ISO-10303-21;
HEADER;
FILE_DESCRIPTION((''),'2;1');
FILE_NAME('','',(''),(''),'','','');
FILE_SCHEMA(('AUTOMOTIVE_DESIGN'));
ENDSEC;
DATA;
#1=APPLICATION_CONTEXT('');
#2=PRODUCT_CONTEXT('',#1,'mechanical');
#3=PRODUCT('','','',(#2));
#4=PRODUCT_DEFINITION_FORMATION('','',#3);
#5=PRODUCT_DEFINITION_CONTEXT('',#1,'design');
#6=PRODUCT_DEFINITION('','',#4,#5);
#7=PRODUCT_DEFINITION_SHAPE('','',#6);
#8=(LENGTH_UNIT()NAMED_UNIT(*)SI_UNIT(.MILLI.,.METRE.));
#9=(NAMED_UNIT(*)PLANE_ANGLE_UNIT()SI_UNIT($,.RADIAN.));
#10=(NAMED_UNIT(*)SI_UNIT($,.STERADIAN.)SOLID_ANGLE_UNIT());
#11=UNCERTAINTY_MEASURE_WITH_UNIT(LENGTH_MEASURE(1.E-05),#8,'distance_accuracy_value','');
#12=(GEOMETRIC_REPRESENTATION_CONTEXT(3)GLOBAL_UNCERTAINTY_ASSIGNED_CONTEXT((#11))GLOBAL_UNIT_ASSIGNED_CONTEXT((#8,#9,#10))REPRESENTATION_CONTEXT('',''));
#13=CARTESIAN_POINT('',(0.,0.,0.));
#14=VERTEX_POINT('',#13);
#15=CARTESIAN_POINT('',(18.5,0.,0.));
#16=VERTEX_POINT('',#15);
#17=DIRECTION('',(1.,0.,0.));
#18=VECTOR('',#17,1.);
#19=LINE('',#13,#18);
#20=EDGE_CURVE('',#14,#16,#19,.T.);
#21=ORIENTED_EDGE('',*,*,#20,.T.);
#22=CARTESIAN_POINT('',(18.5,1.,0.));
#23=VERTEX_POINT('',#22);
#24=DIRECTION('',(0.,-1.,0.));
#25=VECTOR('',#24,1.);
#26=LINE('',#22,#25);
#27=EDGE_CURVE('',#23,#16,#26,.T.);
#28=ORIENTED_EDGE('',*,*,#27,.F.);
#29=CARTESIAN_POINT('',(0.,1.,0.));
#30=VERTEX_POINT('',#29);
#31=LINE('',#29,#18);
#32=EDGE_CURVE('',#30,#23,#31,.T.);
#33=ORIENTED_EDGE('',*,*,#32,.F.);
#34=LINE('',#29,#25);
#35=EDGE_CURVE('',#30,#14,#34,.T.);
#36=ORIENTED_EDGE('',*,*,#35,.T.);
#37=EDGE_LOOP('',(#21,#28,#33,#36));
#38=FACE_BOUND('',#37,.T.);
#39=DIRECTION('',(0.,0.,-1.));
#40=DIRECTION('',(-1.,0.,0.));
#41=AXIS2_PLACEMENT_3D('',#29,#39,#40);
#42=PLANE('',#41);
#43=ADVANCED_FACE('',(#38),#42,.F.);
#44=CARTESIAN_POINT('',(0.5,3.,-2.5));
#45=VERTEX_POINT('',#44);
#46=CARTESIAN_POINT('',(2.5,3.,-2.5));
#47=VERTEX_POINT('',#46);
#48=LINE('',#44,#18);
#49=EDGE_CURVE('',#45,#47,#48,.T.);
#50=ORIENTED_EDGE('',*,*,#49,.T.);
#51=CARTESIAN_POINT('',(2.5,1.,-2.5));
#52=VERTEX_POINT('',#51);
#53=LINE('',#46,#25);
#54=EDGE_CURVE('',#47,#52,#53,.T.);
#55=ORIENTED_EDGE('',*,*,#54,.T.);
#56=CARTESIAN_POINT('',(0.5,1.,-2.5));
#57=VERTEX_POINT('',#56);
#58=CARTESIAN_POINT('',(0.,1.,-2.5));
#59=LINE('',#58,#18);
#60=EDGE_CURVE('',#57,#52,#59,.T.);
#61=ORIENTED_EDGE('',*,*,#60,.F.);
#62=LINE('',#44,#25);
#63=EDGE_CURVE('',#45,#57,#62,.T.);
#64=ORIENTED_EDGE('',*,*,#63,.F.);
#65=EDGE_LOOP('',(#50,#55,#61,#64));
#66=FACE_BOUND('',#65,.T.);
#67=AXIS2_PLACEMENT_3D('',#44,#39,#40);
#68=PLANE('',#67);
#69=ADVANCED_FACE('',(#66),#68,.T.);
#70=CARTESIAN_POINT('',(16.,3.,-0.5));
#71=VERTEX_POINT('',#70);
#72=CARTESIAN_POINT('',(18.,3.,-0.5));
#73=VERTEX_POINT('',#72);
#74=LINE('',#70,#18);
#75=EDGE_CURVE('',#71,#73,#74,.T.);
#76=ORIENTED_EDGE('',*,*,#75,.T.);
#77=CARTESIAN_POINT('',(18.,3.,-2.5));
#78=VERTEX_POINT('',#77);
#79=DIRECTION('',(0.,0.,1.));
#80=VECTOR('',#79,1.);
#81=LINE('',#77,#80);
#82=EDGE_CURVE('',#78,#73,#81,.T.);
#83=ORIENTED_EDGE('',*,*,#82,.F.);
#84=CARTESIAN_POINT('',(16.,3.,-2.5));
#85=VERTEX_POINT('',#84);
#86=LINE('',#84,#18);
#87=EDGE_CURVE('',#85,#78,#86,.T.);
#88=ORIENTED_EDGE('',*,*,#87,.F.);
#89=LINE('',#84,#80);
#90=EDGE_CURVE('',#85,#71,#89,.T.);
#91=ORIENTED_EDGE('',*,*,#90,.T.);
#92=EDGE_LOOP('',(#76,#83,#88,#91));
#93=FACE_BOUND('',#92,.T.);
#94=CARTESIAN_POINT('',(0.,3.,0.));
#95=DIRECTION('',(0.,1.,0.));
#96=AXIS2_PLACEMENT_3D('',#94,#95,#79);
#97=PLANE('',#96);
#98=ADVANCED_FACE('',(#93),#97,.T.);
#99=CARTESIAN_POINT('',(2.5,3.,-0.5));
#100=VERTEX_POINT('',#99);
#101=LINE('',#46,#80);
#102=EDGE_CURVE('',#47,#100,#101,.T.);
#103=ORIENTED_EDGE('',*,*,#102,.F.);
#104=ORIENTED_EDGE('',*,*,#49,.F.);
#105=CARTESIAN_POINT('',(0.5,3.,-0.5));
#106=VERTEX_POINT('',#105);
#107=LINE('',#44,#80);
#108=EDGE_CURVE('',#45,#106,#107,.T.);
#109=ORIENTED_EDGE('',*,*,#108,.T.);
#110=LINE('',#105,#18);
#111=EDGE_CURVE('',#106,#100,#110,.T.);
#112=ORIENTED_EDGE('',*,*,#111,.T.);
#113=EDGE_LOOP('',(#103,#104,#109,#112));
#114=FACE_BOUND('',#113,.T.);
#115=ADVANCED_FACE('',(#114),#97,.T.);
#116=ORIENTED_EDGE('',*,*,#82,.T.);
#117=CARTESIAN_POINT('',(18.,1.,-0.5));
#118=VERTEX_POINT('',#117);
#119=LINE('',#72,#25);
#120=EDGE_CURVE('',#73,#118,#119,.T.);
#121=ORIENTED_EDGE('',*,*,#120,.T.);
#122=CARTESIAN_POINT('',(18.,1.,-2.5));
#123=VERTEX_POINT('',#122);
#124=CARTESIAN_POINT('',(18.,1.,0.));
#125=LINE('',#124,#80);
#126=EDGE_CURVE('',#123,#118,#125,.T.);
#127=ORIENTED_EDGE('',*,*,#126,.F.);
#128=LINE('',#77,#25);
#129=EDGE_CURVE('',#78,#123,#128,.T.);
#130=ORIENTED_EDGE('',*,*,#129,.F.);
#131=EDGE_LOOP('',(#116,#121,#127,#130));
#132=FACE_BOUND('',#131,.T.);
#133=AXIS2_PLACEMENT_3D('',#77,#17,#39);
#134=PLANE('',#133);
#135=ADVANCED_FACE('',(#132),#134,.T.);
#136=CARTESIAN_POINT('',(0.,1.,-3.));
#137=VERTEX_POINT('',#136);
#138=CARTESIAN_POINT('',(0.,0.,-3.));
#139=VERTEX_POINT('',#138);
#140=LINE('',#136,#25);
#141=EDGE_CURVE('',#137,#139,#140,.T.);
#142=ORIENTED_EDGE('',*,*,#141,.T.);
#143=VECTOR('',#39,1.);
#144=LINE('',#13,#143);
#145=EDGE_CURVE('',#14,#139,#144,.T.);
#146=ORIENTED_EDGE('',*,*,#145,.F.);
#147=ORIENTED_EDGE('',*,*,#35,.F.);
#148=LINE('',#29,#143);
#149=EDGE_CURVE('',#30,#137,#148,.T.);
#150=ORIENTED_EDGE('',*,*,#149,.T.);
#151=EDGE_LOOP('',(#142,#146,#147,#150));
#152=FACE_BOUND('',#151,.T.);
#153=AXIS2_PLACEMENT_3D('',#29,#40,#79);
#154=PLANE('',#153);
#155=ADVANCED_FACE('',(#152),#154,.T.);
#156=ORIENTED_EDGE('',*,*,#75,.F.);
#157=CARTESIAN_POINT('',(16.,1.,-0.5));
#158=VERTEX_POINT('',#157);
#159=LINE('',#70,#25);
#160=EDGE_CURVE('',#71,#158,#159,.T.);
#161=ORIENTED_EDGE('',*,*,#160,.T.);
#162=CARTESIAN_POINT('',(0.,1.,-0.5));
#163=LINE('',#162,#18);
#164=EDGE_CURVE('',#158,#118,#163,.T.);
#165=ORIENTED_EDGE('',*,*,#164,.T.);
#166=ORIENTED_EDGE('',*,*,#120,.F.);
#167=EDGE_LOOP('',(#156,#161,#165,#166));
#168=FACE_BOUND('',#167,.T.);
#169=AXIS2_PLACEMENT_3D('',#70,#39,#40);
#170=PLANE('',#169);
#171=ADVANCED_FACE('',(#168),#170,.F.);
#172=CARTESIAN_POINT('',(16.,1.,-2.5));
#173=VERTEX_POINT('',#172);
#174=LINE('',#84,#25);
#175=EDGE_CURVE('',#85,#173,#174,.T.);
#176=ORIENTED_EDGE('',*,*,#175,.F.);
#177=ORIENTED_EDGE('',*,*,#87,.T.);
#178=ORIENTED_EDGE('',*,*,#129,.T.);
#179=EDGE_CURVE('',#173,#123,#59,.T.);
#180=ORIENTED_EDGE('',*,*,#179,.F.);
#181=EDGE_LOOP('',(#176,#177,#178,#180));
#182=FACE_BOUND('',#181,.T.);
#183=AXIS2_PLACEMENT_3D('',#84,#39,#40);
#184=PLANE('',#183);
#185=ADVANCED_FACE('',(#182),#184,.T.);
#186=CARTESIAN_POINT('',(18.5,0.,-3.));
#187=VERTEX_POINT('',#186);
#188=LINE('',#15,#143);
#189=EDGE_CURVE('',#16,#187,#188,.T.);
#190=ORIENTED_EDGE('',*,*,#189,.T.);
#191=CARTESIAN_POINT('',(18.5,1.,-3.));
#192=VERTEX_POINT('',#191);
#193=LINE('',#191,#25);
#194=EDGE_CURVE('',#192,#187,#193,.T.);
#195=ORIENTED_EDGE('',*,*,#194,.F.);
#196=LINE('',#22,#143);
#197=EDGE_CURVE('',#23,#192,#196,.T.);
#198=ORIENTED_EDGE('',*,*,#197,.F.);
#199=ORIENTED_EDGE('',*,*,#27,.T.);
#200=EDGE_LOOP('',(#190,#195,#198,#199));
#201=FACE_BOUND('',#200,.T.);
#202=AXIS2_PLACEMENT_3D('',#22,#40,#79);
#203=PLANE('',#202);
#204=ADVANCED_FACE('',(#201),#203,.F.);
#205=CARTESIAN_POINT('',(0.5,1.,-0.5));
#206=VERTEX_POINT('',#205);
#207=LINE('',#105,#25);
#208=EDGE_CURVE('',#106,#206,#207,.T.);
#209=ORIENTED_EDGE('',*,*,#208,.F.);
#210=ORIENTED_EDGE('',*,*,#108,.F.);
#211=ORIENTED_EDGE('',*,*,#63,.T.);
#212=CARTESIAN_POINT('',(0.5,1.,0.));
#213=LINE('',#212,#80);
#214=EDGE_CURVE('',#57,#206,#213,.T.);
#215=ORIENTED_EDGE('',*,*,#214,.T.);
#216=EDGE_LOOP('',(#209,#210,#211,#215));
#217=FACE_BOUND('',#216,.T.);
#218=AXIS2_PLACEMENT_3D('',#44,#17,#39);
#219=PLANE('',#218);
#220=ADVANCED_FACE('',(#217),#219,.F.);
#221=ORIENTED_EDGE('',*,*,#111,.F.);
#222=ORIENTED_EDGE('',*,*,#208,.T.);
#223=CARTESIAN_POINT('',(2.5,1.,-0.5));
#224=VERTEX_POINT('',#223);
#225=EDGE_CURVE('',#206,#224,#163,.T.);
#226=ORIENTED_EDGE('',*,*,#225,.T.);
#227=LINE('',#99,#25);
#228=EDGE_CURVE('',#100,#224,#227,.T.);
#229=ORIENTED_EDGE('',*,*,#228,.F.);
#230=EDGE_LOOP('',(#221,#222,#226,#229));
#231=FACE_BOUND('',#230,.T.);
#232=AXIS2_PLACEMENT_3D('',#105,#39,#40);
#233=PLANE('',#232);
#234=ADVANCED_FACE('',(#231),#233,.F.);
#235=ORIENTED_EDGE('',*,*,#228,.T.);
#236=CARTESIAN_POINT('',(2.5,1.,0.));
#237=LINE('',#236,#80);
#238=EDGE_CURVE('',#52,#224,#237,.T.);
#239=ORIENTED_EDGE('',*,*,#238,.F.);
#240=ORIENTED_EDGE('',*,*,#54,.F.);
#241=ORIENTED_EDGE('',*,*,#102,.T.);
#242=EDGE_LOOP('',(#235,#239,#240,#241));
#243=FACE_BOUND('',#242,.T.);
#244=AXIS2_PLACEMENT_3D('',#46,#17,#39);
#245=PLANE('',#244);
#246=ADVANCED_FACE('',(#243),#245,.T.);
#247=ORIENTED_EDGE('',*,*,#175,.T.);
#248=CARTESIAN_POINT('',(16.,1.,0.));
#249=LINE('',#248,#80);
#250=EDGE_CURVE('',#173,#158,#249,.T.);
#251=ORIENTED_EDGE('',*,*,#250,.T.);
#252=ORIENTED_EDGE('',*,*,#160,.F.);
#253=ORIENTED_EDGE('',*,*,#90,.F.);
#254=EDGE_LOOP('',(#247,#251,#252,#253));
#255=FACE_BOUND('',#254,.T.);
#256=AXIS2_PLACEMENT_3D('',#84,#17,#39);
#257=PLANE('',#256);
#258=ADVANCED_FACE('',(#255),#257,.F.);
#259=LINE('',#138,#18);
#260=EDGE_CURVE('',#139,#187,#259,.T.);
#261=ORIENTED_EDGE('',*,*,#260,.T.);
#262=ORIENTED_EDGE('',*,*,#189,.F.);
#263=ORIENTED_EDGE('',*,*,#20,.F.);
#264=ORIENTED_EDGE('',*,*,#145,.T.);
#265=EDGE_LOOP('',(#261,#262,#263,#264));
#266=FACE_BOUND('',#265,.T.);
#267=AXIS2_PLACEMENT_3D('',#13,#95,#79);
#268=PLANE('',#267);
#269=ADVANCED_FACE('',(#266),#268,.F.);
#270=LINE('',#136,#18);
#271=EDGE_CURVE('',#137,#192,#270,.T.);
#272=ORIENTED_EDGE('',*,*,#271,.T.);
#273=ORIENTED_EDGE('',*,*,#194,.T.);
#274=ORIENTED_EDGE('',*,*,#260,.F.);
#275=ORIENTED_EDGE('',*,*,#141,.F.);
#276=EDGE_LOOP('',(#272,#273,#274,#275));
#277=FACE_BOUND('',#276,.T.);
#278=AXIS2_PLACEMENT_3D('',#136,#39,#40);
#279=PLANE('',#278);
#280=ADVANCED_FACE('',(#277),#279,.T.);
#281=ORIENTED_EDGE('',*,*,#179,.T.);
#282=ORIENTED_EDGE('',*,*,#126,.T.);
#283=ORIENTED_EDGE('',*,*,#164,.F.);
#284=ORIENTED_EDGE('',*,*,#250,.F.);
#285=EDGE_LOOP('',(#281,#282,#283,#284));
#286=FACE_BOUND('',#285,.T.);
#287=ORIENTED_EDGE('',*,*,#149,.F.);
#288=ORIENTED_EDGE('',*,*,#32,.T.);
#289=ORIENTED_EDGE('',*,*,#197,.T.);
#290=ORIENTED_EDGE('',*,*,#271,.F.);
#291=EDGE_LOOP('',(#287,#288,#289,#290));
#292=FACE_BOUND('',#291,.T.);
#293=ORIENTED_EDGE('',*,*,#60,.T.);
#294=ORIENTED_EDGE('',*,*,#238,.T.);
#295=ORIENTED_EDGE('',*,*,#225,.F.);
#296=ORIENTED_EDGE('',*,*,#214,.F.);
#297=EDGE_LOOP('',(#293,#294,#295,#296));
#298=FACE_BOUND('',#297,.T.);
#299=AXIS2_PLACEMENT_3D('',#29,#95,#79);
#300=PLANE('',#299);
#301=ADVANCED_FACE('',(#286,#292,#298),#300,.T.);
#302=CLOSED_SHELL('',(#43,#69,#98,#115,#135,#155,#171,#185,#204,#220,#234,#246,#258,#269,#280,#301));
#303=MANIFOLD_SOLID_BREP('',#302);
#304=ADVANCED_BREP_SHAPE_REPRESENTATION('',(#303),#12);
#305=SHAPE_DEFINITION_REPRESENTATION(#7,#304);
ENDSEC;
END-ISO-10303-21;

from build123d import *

# Parameters (mm, degrees)
SKETCH1_W           = 18.5
SKETCH1_H           = 3
SKETCH1_W_2         = 2
SKETCH1_H_2         = 2
BOSS_EXTRUDE1_DEPTH = 1
SKETCH1_3_W         = 2
SKETCH1_3_H         = 2
BOSS_EXTRUDE2_DEPTH = 3


with BuildPart() as part:
    # Sketch1 → Boss-Extrude1 (new body)
    with BuildSketch(Plane(origin=(0, 0, 0), x_dir=(1, 0, 0), z_dir=(0, 1, 0))):
        with Locations((9.25, 1.5)):
            Rectangle(SKETCH1_W, SKETCH1_H)
        with Locations((1.5, 1.5)):
            Rectangle(SKETCH1_W_2, SKETCH1_H_2, mode=Mode.SUBTRACT)
        with Locations((17, 1.5)):
            Rectangle(SKETCH1_W_2, SKETCH1_H_2, mode=Mode.SUBTRACT)
    extrude(amount=BOSS_EXTRUDE1_DEPTH)

    # Sketch1<3> → Boss-Extrude2 (add)
    with BuildSketch(Plane(origin=(0, 0, 0), x_dir=(1, 0, 0), z_dir=(0, 1, 0))):
        with Locations((1.5, 1.5)):
            Rectangle(SKETCH1_3_W, SKETCH1_3_H)
        with Locations((17, 1.5)):
            Rectangle(SKETCH1_3_W, SKETCH1_3_H)
    extrude(amount=BOSS_EXTRUDE2_DEPTH)


solid = part.part
